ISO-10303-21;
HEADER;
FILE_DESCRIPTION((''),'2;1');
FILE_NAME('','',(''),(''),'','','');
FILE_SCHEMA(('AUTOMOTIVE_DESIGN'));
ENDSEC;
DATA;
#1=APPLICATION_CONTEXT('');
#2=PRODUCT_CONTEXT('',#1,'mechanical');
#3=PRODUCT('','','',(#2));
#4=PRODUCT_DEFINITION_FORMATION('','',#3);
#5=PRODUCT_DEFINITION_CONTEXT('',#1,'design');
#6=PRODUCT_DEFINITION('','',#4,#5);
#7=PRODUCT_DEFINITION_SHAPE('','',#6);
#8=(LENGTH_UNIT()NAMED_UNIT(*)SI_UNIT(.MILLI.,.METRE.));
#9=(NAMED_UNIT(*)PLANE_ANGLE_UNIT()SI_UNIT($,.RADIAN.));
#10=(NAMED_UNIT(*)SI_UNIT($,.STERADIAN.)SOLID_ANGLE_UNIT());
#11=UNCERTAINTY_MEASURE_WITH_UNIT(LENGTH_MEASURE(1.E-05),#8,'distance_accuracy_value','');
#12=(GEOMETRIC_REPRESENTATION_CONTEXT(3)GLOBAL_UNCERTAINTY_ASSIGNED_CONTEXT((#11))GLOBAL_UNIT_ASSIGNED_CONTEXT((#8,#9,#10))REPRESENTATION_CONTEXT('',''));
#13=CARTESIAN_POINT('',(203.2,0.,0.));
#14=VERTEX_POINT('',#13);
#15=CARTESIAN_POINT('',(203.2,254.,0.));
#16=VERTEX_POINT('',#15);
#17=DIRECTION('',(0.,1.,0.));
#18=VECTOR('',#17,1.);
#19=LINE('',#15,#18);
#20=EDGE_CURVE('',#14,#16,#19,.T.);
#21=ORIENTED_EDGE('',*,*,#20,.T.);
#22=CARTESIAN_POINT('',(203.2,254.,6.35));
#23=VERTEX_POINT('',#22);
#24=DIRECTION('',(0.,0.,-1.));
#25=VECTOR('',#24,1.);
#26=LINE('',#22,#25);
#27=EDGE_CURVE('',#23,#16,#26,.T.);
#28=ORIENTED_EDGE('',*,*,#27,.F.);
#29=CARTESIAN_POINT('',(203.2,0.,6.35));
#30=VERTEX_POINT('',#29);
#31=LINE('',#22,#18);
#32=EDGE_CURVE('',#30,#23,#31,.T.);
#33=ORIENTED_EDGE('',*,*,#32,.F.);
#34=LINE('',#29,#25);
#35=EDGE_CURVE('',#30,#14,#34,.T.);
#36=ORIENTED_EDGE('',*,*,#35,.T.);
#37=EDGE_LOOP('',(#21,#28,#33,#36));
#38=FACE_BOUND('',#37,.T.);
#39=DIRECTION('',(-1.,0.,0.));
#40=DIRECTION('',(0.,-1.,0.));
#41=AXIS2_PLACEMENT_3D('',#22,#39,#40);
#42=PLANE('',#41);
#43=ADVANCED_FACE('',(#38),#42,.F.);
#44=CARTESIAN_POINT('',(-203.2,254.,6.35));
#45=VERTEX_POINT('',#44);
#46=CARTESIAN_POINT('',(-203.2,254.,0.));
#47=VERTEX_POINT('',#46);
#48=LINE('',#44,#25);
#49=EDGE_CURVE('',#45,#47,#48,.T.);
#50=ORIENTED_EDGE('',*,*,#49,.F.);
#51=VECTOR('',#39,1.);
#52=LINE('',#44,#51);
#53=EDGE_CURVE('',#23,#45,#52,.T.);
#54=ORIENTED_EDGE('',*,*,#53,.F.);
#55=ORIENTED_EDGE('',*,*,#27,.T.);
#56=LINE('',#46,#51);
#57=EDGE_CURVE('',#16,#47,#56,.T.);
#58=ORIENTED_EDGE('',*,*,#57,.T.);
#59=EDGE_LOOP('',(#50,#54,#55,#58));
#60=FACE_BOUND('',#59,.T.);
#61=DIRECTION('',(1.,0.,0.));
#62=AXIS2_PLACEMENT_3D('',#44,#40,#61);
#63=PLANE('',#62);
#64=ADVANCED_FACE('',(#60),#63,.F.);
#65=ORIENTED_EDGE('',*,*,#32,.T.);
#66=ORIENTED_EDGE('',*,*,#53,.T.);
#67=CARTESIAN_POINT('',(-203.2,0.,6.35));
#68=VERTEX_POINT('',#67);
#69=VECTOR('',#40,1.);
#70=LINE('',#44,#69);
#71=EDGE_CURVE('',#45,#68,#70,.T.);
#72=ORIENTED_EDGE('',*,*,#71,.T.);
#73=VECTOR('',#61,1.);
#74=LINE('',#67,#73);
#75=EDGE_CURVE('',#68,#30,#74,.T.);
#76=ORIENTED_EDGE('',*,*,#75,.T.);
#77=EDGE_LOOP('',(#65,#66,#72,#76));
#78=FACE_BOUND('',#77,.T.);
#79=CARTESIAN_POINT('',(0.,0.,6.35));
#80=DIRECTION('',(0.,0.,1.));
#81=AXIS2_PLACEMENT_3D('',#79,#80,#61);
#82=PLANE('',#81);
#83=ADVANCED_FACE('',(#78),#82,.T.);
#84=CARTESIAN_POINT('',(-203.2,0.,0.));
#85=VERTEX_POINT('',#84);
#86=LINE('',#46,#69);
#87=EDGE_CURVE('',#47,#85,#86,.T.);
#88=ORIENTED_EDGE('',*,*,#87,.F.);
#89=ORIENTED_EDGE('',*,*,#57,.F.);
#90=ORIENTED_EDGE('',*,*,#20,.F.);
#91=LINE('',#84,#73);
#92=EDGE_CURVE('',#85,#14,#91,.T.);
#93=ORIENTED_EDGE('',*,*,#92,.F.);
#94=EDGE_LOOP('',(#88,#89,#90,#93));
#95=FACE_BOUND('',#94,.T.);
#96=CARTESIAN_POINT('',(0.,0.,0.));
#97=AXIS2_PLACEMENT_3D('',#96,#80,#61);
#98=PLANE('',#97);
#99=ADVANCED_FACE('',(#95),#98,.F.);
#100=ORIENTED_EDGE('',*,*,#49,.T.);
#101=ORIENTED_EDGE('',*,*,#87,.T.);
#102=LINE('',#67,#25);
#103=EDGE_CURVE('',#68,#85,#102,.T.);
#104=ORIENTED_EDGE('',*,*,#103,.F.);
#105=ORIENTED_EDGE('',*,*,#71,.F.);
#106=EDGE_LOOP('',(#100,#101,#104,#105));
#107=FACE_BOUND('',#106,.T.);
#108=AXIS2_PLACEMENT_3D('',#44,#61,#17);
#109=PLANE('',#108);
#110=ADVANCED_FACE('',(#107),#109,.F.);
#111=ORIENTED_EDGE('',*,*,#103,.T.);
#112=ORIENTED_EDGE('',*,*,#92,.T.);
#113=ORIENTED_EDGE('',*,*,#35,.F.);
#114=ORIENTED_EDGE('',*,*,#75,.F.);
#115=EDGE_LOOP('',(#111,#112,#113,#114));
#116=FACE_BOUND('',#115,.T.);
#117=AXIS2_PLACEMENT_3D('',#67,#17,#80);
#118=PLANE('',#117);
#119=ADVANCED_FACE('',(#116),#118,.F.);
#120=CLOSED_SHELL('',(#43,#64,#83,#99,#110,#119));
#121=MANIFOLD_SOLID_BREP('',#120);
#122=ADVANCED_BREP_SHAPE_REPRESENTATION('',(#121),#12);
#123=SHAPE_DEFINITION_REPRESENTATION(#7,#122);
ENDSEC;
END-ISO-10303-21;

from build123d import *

# Parameters (mm, degrees)
SKETCH1_W           = 406.4
SKETCH1_H           = 254
BOSS_EXTRUDE1_DEPTH = 6.35


with BuildPart() as part:
    # Sketch1 → Boss-Extrude1 (new body)
    with BuildSketch(Plane.XY):
        with Locations((0, 127)):
            Rectangle(SKETCH1_W, SKETCH1_H)
    extrude(amount=BOSS_EXTRUDE1_DEPTH)


solid = part.part
